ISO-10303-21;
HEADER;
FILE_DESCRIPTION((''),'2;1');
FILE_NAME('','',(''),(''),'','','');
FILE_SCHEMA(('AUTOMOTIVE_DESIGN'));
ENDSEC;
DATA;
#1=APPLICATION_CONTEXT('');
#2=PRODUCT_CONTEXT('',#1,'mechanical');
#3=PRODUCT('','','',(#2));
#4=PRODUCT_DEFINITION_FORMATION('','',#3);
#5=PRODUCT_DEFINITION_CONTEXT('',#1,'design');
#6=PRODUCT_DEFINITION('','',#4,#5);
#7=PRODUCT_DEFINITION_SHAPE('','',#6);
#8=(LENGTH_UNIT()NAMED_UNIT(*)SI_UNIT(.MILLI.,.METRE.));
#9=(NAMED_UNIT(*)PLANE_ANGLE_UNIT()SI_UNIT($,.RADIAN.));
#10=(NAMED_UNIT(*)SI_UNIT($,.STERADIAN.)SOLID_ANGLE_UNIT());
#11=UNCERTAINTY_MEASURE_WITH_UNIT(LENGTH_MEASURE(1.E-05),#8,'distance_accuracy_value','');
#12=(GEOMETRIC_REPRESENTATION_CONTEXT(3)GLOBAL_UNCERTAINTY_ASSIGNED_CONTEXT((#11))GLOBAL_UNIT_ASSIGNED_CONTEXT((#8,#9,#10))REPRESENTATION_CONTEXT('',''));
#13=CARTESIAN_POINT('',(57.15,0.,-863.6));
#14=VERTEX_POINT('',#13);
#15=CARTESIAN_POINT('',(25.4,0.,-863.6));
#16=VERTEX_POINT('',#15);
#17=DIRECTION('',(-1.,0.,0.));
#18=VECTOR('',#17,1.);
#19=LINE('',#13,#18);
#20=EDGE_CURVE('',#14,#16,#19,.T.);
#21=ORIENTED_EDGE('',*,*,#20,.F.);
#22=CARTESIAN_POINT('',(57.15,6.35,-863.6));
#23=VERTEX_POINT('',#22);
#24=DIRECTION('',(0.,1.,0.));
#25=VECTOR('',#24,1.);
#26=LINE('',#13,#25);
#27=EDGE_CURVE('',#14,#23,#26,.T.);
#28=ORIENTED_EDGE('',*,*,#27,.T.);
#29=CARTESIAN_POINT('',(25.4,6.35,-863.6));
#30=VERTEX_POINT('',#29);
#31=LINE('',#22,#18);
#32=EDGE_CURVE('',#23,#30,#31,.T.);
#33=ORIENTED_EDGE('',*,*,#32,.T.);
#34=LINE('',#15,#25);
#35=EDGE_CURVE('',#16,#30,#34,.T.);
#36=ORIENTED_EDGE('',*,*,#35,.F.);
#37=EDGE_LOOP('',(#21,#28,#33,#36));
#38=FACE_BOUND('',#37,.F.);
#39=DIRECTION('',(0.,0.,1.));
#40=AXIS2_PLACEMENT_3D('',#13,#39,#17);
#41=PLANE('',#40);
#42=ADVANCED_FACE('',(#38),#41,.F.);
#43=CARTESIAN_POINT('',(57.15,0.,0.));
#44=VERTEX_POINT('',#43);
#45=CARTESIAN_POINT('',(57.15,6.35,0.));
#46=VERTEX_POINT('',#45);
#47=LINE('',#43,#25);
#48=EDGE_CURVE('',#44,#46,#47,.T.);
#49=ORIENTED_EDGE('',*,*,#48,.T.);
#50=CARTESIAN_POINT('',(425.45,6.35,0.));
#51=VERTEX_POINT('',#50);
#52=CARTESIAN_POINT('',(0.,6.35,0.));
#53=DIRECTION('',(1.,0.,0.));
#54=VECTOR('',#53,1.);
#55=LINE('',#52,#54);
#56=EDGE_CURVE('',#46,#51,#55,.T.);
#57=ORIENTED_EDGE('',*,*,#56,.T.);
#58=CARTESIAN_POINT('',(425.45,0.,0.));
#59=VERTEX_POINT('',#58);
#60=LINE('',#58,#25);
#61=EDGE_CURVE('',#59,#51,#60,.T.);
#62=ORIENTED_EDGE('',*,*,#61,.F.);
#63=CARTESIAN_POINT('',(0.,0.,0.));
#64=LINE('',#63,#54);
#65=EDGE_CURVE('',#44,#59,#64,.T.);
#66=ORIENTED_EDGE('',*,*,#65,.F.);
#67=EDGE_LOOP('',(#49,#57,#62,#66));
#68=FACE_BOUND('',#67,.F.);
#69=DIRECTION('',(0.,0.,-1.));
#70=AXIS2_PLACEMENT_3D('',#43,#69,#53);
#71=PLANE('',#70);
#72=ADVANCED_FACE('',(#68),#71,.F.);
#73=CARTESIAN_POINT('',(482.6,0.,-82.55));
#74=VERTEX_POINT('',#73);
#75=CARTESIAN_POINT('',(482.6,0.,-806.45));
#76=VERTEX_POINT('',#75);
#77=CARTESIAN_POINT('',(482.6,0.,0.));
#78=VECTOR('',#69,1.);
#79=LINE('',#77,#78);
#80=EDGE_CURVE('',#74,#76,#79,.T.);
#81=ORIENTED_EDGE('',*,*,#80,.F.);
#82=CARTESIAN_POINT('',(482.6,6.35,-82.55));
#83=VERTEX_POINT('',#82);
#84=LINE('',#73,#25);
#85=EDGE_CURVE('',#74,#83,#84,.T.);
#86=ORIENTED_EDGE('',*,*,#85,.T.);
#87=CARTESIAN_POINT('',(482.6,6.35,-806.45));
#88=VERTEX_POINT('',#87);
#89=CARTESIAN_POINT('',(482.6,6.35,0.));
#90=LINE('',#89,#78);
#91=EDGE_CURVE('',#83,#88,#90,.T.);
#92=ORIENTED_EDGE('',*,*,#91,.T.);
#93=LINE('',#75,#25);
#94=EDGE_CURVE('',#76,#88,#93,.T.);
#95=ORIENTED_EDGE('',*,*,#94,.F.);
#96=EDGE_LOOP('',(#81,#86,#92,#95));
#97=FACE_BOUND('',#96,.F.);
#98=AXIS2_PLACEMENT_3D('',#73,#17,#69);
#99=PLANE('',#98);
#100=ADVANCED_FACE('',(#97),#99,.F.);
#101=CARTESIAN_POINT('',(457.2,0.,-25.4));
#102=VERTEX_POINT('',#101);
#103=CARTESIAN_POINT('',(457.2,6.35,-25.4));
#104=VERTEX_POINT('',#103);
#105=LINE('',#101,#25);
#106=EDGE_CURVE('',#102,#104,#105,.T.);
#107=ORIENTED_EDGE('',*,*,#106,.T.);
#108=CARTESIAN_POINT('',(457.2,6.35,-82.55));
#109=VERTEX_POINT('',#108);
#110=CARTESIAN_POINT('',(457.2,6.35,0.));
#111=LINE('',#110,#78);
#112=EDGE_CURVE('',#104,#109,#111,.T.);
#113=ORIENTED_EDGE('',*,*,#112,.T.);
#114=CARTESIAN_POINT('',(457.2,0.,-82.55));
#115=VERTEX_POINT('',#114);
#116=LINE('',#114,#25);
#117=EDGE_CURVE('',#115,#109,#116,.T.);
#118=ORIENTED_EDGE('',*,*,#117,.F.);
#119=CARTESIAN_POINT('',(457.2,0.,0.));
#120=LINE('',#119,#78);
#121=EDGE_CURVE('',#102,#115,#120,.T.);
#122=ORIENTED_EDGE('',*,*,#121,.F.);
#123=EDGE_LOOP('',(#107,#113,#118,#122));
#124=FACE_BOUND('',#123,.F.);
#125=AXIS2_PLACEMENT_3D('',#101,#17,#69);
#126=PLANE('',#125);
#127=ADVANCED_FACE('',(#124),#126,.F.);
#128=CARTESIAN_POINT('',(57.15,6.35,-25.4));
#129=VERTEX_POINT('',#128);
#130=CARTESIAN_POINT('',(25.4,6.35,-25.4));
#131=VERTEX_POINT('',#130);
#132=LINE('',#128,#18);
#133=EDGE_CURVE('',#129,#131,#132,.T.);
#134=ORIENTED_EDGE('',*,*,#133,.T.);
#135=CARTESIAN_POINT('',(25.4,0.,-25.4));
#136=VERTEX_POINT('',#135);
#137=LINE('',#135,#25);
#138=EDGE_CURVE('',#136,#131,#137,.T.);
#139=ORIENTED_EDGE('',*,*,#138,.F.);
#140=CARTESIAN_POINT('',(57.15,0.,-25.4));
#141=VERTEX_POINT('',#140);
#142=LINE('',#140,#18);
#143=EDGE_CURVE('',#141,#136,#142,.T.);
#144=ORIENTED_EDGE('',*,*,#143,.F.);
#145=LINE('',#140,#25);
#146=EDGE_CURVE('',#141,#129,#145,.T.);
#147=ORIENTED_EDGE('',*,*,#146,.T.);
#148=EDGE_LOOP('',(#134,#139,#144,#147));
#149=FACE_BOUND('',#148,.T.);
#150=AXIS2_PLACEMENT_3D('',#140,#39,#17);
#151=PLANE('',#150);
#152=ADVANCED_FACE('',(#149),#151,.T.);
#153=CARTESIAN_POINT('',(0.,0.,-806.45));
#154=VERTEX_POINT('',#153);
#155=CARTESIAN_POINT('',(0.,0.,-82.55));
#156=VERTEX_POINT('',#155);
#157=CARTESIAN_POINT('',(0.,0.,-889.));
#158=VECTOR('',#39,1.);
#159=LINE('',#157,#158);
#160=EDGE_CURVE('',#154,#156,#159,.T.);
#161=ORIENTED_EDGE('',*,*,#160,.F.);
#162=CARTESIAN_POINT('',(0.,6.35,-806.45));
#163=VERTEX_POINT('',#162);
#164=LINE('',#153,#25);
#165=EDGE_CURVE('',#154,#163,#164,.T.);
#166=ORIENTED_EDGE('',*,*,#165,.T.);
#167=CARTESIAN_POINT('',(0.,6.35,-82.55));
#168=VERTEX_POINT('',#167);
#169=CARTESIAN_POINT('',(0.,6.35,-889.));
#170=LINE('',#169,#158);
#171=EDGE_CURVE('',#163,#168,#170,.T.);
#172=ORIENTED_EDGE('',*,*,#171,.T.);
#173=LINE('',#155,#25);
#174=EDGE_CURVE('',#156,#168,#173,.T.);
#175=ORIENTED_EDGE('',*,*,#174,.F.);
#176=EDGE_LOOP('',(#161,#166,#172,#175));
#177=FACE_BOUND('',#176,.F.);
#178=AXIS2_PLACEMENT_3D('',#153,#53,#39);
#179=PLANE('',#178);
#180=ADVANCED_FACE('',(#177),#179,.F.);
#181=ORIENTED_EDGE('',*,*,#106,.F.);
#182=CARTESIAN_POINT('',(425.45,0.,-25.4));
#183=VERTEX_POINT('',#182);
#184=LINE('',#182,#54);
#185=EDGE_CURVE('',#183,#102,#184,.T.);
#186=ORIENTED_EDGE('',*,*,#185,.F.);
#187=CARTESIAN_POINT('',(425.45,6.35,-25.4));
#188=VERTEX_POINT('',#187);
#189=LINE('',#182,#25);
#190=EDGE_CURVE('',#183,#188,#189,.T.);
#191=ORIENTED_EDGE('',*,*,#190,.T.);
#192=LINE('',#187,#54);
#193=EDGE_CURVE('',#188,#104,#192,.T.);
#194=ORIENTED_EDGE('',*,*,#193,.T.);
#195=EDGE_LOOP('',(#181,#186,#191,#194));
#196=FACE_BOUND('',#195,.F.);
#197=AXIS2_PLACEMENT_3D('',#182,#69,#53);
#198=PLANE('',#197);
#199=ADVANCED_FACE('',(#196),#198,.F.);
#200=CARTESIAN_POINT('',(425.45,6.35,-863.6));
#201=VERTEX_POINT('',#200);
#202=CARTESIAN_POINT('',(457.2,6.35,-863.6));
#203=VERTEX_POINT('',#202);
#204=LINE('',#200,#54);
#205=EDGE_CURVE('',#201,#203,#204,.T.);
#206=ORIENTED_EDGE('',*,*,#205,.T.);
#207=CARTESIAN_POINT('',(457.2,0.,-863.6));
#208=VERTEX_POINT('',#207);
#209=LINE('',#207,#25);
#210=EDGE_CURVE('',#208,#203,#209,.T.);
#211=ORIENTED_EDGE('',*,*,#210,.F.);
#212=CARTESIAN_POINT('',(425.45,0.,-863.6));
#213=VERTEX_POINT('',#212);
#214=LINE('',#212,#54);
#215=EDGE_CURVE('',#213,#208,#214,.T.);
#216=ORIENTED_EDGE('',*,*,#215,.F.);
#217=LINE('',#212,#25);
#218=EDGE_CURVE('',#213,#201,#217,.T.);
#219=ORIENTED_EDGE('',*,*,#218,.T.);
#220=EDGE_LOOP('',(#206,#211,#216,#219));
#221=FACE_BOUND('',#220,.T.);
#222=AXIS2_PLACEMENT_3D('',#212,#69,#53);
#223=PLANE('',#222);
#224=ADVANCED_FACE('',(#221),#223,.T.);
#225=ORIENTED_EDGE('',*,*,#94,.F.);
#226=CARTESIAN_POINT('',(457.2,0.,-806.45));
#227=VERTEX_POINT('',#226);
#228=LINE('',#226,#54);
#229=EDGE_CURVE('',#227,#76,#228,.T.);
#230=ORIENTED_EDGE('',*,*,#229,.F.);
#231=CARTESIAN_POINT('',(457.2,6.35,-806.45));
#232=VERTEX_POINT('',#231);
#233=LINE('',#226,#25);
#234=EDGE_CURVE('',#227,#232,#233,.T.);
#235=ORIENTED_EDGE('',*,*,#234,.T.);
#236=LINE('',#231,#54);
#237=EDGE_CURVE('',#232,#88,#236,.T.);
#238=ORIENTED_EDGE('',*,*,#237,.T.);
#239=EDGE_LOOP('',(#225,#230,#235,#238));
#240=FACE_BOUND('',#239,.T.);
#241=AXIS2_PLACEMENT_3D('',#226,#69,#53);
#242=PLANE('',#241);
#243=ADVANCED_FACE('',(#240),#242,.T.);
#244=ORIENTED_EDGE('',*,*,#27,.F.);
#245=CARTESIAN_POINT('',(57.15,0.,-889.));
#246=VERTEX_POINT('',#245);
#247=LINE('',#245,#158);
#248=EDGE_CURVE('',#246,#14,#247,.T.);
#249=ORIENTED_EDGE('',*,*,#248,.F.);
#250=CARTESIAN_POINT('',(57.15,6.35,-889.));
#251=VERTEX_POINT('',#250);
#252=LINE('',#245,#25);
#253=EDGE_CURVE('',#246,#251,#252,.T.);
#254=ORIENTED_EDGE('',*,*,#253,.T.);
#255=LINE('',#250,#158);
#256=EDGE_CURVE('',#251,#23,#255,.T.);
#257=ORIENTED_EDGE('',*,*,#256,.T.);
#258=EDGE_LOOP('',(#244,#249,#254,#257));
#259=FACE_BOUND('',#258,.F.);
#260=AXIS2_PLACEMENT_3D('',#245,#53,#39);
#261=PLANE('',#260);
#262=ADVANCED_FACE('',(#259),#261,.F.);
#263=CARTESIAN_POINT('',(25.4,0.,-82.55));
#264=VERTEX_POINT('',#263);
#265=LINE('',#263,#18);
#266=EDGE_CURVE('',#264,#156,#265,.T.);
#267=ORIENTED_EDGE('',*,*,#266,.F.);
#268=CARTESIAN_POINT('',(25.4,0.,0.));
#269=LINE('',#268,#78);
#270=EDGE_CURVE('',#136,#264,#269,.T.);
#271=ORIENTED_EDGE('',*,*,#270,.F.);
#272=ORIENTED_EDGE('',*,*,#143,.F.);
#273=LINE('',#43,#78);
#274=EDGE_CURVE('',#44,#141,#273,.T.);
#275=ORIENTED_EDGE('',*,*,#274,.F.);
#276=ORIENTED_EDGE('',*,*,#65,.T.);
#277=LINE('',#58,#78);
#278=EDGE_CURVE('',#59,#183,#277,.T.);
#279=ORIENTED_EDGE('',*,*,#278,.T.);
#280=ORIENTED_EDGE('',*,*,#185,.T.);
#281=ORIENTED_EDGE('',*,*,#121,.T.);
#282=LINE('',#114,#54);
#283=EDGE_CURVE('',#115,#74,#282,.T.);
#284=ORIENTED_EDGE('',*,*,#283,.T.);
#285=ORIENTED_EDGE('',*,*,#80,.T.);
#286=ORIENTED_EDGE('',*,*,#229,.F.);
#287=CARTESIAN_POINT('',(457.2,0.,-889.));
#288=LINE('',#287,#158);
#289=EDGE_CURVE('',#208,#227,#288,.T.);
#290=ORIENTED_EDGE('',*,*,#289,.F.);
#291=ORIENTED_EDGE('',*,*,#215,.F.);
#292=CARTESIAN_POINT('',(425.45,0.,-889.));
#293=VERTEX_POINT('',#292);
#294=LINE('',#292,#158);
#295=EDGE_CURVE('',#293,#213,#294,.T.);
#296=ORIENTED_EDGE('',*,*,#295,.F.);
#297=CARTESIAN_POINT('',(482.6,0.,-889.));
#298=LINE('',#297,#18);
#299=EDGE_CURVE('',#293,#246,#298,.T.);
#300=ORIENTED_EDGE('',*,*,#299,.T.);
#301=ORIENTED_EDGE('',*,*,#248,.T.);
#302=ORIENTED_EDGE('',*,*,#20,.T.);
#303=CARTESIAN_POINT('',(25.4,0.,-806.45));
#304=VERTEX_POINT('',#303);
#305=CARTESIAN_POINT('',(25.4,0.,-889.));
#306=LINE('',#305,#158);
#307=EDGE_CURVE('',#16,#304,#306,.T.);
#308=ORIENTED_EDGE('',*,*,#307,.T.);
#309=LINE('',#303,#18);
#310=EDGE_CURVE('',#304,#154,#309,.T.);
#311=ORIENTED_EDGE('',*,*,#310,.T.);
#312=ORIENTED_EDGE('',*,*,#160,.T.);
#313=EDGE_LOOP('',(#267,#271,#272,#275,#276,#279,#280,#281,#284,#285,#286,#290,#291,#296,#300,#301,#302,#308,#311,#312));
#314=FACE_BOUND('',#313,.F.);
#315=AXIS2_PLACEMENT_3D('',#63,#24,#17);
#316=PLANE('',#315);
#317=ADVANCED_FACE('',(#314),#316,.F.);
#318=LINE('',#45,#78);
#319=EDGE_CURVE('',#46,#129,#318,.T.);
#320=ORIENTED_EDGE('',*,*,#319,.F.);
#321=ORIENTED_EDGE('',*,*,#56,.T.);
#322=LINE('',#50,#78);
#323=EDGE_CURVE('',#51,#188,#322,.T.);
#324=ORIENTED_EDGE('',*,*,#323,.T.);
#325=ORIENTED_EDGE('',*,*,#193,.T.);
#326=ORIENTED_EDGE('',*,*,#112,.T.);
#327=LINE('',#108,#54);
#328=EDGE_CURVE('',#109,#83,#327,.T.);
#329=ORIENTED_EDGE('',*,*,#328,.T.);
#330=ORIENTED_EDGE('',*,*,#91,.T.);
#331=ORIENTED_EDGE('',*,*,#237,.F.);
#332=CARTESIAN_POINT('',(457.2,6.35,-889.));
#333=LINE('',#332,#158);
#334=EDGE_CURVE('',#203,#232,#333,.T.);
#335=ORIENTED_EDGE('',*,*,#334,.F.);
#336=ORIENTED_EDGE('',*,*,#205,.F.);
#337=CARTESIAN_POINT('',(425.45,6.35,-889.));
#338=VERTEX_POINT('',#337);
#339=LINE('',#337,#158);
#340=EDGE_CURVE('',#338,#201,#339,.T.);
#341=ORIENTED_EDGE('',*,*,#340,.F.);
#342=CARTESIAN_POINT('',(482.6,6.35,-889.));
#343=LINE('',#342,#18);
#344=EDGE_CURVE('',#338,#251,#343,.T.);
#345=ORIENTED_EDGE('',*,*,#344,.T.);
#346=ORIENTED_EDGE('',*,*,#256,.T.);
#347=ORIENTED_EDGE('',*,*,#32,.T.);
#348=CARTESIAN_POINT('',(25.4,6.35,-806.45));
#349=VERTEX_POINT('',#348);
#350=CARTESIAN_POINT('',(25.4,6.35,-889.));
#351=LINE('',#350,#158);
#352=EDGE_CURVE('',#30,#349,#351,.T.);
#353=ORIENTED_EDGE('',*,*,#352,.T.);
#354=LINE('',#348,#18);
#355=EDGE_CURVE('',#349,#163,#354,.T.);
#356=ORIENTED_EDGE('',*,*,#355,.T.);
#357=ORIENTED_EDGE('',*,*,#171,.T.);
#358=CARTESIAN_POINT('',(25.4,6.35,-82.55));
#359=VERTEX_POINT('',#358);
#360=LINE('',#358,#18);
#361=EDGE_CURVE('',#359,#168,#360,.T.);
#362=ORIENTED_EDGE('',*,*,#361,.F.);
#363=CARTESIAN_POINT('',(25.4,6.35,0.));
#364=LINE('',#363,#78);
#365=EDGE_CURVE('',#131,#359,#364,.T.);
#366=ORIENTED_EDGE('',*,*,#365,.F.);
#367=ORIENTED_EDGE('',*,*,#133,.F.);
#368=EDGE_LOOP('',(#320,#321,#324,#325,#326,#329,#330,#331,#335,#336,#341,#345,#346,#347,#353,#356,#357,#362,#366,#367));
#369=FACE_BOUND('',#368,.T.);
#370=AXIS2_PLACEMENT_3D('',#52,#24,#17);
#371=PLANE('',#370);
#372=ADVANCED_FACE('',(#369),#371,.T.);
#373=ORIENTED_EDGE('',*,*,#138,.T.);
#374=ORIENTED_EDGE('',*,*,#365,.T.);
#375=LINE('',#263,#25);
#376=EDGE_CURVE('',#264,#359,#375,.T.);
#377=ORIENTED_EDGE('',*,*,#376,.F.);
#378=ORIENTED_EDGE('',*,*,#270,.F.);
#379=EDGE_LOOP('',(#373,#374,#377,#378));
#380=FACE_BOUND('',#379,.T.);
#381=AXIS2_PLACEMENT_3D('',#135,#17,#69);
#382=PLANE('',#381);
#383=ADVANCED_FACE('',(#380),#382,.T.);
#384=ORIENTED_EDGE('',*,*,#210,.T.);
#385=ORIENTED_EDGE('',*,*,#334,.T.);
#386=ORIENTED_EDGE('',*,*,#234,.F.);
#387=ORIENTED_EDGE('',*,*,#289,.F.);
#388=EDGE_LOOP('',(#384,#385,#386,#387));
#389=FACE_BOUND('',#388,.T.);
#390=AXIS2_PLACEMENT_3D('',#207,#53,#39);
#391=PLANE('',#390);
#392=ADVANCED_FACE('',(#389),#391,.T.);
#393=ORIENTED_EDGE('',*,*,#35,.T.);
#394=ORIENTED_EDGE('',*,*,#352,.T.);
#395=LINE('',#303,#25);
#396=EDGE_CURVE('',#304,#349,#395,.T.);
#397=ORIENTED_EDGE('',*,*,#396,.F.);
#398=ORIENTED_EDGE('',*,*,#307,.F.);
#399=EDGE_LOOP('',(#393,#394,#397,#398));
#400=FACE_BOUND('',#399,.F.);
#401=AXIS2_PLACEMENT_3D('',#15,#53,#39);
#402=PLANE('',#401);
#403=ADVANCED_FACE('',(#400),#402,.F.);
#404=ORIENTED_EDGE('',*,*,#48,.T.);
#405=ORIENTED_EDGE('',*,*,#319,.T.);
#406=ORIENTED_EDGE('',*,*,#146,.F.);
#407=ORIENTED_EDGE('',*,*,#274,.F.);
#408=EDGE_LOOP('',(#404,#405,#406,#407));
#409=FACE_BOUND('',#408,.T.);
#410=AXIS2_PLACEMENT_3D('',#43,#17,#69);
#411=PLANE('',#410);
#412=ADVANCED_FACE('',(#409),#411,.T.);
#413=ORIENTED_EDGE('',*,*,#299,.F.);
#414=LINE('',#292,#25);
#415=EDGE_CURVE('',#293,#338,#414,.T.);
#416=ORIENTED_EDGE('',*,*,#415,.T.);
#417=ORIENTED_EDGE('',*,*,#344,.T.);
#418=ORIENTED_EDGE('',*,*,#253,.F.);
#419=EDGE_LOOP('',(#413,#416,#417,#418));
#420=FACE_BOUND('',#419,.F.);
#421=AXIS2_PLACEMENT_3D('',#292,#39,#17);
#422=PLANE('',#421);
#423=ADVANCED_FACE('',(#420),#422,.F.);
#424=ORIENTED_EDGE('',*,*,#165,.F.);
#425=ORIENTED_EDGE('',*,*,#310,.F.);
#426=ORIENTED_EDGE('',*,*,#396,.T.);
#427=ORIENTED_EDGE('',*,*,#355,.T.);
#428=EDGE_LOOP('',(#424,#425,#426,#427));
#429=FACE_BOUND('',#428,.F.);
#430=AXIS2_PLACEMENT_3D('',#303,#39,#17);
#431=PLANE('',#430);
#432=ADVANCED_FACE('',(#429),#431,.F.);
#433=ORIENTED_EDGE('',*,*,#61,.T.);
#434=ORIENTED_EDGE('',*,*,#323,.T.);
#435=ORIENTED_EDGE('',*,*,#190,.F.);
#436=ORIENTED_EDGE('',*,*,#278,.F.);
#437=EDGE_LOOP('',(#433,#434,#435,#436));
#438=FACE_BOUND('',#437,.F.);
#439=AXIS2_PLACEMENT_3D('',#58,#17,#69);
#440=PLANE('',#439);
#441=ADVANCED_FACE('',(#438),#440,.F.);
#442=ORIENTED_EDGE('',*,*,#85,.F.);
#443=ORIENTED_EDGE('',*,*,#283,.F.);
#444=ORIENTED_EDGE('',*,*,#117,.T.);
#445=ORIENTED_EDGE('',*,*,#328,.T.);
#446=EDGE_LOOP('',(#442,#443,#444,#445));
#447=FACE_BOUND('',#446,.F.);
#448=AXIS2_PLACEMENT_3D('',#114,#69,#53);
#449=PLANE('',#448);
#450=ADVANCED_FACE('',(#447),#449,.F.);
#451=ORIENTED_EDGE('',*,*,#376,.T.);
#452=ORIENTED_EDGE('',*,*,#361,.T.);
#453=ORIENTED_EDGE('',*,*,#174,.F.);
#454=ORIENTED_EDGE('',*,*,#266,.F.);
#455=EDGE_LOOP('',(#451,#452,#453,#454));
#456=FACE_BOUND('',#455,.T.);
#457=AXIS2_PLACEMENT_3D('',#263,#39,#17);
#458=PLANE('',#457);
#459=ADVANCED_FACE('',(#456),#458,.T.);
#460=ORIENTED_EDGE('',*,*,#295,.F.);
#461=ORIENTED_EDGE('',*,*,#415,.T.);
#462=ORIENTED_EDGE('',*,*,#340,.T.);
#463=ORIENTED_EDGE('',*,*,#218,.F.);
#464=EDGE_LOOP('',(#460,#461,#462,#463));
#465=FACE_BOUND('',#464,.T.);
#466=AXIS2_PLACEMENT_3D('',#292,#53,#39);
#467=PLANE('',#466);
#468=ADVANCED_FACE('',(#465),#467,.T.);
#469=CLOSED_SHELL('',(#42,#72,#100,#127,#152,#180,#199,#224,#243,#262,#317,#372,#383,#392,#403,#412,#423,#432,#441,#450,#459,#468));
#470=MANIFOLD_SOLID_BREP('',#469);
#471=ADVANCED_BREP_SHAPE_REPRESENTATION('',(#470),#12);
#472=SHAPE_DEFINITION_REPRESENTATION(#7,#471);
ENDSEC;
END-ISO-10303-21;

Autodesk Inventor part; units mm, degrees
ref_plane "YZ Plane" through (0, 0, 0) normal (1, 0, 0) x (0, 1, 0)
ref_plane "XZ Plane" through (0, 0, 0) normal (0, 1, 0) x (-1, 0, 0)
ref_plane "XY Plane" through (0, 0, 0) normal (0, 0, 1) x (1, 0, 0)
sketch "Sketch1" plane through (0, 0, 0) normal (0, 1, 0) x (-1, 0, 0)
  line L0 (0, 0) -> (-482.6, 0)
  line L1 (-482.6, 0) -> (-482.6, -889)
  line L2 (-482.6, -889) -> (0, -889)
  line L3 (0, -889) -> (0, 0)
  line L4 (0, -889) -> (-25.4, -889)
  line L5 (-25.4, -889) -> (-25.4, -806.45)
  line L6 (-25.4, -806.45) -> (0, -806.45)
  line L7 (0, -806.45) -> (0, -889)
  line L8 (-25.4, -889) -> (-57.15, -889)
  line L9 (-57.15, -889) -> (-57.15, -863.6)
  line L10 (-57.15, -863.6) -> (-25.4, -863.6)
  line L11 (-25.4, -863.6) -> (-25.4, -889)
  line L12 (-241.3, -889) -> (-241.3, -324.207) construction
  line L13 (0, -444.5) -> (-482.6, -444.5) construction
  line L14 (-457.2, -889) -> (-457.2, -806.45)
  line L15 (-457.2, -806.45) -> (-482.6, -806.45)
  line L16 (-425.45, -889) -> (-425.45, -863.6)
  line L17 (-425.45, -863.6) -> (-457.2, -863.6)
  line L18 (-25.4, 0) -> (-25.4, -82.55)
  line L19 (-25.4, -82.55) -> (0, -82.55)
  line L20 (-57.15, 0) -> (-57.15, -25.4)
  line L21 (-57.15, -25.4) -> (-25.4, -25.4)
  line L22 (-457.2, -82.55) -> (-482.6, -82.55)
  line L23 (-457.2, 0) -> (-457.2, -82.55)
  line L24 (-425.45, -25.4) -> (-457.2, -25.4)
  line L25 (-425.45, 0) -> (-425.45, -25.4)
  point P0 (-482.6, -82.55)
  point P1 (-482.6, -806.45)
  point P2 (0, -806.45)
  point P3 (0, -82.55)
  point P4 (-457.2, -25.4)
  dimension "d0" = 482.6
  dimension "d1" = 889
  dimension "d2" = 25.4
  dimension "d3" = 82.55
  dimension "d4" = 31.75
  dimension "d5" = 25.4
extrude "Extrusion1" add sketch "Sketch1" along normal blind 6.35 contours L3 L6 L5 L10 L9 L2 L16 L17 L14 L15 L1 L22 L23 L24 L25 L0 L20 L21 L18 L19
properties part number "Robot bottom" material "Polycarbonate, Smoke"
